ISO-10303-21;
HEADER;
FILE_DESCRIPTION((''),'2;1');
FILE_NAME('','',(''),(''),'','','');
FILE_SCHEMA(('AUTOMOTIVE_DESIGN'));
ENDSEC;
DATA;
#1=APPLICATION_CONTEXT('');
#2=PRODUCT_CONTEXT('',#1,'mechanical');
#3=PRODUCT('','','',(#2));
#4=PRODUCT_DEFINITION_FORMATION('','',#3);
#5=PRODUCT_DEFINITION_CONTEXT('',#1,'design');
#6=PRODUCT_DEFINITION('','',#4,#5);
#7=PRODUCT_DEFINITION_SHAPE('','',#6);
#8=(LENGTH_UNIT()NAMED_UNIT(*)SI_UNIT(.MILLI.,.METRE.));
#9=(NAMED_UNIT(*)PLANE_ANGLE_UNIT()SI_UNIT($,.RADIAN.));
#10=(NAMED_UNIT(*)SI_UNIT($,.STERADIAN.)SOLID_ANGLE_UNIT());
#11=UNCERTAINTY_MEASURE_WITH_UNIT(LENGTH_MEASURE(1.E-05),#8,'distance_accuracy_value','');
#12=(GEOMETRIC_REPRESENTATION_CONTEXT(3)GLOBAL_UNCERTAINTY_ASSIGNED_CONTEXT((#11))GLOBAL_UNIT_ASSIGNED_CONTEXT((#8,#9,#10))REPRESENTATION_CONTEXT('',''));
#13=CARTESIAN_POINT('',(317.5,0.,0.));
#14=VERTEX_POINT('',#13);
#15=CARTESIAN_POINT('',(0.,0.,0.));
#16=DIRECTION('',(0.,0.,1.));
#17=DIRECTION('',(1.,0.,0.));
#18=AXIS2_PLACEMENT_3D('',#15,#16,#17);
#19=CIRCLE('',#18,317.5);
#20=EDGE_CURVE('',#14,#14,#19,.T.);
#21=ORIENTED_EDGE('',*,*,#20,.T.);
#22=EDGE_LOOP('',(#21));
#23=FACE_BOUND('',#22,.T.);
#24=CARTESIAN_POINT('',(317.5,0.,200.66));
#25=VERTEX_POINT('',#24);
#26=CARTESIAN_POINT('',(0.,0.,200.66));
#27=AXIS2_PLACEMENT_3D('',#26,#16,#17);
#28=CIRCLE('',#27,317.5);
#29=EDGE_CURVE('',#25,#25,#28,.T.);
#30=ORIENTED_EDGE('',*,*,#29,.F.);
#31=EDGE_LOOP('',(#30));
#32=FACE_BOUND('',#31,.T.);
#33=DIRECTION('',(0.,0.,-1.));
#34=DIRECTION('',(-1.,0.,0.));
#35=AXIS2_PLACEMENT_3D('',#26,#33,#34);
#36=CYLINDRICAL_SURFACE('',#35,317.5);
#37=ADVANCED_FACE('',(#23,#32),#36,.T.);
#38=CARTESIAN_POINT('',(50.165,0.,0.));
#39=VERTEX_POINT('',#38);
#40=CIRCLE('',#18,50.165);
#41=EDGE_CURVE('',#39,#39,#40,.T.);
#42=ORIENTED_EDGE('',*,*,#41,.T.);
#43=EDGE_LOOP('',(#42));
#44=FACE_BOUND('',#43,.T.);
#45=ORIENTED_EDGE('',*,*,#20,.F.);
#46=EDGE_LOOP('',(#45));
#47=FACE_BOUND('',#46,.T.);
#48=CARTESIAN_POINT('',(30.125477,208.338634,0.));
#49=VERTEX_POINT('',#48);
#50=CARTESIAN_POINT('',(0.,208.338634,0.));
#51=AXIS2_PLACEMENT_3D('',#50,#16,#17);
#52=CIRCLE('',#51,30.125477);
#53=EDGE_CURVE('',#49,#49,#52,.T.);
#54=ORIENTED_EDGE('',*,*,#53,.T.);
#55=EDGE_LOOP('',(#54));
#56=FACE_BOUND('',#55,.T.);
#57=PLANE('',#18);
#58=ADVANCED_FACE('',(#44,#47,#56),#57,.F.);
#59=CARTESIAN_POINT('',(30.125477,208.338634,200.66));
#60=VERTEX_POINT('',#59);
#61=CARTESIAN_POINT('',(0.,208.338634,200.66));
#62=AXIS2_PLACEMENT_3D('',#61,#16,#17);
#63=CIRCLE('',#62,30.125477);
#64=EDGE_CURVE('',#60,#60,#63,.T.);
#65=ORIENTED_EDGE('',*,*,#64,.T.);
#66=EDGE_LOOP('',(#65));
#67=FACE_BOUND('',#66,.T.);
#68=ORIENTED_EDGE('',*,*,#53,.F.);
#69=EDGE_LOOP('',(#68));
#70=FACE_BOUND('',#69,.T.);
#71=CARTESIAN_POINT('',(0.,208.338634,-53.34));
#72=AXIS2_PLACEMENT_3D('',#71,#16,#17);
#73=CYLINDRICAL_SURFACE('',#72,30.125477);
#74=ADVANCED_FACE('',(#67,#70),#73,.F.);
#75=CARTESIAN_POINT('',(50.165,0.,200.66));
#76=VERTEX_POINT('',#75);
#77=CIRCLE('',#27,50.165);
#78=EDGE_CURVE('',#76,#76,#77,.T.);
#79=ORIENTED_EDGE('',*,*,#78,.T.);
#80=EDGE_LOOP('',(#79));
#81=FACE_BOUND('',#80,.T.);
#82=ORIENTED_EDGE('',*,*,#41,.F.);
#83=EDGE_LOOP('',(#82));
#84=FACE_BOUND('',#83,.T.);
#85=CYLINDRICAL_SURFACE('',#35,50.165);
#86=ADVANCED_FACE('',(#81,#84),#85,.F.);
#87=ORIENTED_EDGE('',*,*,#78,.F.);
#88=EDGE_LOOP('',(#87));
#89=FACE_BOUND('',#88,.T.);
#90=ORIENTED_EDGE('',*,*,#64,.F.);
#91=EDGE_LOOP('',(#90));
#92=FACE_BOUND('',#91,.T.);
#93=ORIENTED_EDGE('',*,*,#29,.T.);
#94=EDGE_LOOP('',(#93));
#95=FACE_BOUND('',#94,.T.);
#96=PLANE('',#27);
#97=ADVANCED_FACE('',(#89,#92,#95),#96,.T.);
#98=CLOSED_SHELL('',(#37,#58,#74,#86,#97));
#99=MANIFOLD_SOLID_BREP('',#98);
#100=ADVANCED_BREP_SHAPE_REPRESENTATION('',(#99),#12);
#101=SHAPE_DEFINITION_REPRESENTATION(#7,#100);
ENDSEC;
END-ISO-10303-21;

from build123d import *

# Parameters (mm, degrees)
SKETCH1_R           = 317.5
SKETCH1_R_2         = 50.165
BOSS_EXTRUDE1_DEPTH = 200.66
SKETCH2_R           = 30.125476956
CUT_EXTRUDE1_DEPTH  = 254


with BuildPart() as part:
    # Sketch1 → Boss-Extrude1 (new body)
    with BuildSketch(Plane.XY):
        Circle(SKETCH1_R)
        Circle(SKETCH1_R_2, mode=Mode.SUBTRACT)
    extrude(amount=BOSS_EXTRUDE1_DEPTH)

    # Sketch2 → Cut-Extrude1 (cut)
    with BuildSketch(Plane.XY.offset(200.66)):
        with Locations((0, 208.338633527)):
            Circle(SKETCH2_R)
    extrude(amount=-CUT_EXTRUDE1_DEPTH, mode=Mode.SUBTRACT)


solid = part.part
